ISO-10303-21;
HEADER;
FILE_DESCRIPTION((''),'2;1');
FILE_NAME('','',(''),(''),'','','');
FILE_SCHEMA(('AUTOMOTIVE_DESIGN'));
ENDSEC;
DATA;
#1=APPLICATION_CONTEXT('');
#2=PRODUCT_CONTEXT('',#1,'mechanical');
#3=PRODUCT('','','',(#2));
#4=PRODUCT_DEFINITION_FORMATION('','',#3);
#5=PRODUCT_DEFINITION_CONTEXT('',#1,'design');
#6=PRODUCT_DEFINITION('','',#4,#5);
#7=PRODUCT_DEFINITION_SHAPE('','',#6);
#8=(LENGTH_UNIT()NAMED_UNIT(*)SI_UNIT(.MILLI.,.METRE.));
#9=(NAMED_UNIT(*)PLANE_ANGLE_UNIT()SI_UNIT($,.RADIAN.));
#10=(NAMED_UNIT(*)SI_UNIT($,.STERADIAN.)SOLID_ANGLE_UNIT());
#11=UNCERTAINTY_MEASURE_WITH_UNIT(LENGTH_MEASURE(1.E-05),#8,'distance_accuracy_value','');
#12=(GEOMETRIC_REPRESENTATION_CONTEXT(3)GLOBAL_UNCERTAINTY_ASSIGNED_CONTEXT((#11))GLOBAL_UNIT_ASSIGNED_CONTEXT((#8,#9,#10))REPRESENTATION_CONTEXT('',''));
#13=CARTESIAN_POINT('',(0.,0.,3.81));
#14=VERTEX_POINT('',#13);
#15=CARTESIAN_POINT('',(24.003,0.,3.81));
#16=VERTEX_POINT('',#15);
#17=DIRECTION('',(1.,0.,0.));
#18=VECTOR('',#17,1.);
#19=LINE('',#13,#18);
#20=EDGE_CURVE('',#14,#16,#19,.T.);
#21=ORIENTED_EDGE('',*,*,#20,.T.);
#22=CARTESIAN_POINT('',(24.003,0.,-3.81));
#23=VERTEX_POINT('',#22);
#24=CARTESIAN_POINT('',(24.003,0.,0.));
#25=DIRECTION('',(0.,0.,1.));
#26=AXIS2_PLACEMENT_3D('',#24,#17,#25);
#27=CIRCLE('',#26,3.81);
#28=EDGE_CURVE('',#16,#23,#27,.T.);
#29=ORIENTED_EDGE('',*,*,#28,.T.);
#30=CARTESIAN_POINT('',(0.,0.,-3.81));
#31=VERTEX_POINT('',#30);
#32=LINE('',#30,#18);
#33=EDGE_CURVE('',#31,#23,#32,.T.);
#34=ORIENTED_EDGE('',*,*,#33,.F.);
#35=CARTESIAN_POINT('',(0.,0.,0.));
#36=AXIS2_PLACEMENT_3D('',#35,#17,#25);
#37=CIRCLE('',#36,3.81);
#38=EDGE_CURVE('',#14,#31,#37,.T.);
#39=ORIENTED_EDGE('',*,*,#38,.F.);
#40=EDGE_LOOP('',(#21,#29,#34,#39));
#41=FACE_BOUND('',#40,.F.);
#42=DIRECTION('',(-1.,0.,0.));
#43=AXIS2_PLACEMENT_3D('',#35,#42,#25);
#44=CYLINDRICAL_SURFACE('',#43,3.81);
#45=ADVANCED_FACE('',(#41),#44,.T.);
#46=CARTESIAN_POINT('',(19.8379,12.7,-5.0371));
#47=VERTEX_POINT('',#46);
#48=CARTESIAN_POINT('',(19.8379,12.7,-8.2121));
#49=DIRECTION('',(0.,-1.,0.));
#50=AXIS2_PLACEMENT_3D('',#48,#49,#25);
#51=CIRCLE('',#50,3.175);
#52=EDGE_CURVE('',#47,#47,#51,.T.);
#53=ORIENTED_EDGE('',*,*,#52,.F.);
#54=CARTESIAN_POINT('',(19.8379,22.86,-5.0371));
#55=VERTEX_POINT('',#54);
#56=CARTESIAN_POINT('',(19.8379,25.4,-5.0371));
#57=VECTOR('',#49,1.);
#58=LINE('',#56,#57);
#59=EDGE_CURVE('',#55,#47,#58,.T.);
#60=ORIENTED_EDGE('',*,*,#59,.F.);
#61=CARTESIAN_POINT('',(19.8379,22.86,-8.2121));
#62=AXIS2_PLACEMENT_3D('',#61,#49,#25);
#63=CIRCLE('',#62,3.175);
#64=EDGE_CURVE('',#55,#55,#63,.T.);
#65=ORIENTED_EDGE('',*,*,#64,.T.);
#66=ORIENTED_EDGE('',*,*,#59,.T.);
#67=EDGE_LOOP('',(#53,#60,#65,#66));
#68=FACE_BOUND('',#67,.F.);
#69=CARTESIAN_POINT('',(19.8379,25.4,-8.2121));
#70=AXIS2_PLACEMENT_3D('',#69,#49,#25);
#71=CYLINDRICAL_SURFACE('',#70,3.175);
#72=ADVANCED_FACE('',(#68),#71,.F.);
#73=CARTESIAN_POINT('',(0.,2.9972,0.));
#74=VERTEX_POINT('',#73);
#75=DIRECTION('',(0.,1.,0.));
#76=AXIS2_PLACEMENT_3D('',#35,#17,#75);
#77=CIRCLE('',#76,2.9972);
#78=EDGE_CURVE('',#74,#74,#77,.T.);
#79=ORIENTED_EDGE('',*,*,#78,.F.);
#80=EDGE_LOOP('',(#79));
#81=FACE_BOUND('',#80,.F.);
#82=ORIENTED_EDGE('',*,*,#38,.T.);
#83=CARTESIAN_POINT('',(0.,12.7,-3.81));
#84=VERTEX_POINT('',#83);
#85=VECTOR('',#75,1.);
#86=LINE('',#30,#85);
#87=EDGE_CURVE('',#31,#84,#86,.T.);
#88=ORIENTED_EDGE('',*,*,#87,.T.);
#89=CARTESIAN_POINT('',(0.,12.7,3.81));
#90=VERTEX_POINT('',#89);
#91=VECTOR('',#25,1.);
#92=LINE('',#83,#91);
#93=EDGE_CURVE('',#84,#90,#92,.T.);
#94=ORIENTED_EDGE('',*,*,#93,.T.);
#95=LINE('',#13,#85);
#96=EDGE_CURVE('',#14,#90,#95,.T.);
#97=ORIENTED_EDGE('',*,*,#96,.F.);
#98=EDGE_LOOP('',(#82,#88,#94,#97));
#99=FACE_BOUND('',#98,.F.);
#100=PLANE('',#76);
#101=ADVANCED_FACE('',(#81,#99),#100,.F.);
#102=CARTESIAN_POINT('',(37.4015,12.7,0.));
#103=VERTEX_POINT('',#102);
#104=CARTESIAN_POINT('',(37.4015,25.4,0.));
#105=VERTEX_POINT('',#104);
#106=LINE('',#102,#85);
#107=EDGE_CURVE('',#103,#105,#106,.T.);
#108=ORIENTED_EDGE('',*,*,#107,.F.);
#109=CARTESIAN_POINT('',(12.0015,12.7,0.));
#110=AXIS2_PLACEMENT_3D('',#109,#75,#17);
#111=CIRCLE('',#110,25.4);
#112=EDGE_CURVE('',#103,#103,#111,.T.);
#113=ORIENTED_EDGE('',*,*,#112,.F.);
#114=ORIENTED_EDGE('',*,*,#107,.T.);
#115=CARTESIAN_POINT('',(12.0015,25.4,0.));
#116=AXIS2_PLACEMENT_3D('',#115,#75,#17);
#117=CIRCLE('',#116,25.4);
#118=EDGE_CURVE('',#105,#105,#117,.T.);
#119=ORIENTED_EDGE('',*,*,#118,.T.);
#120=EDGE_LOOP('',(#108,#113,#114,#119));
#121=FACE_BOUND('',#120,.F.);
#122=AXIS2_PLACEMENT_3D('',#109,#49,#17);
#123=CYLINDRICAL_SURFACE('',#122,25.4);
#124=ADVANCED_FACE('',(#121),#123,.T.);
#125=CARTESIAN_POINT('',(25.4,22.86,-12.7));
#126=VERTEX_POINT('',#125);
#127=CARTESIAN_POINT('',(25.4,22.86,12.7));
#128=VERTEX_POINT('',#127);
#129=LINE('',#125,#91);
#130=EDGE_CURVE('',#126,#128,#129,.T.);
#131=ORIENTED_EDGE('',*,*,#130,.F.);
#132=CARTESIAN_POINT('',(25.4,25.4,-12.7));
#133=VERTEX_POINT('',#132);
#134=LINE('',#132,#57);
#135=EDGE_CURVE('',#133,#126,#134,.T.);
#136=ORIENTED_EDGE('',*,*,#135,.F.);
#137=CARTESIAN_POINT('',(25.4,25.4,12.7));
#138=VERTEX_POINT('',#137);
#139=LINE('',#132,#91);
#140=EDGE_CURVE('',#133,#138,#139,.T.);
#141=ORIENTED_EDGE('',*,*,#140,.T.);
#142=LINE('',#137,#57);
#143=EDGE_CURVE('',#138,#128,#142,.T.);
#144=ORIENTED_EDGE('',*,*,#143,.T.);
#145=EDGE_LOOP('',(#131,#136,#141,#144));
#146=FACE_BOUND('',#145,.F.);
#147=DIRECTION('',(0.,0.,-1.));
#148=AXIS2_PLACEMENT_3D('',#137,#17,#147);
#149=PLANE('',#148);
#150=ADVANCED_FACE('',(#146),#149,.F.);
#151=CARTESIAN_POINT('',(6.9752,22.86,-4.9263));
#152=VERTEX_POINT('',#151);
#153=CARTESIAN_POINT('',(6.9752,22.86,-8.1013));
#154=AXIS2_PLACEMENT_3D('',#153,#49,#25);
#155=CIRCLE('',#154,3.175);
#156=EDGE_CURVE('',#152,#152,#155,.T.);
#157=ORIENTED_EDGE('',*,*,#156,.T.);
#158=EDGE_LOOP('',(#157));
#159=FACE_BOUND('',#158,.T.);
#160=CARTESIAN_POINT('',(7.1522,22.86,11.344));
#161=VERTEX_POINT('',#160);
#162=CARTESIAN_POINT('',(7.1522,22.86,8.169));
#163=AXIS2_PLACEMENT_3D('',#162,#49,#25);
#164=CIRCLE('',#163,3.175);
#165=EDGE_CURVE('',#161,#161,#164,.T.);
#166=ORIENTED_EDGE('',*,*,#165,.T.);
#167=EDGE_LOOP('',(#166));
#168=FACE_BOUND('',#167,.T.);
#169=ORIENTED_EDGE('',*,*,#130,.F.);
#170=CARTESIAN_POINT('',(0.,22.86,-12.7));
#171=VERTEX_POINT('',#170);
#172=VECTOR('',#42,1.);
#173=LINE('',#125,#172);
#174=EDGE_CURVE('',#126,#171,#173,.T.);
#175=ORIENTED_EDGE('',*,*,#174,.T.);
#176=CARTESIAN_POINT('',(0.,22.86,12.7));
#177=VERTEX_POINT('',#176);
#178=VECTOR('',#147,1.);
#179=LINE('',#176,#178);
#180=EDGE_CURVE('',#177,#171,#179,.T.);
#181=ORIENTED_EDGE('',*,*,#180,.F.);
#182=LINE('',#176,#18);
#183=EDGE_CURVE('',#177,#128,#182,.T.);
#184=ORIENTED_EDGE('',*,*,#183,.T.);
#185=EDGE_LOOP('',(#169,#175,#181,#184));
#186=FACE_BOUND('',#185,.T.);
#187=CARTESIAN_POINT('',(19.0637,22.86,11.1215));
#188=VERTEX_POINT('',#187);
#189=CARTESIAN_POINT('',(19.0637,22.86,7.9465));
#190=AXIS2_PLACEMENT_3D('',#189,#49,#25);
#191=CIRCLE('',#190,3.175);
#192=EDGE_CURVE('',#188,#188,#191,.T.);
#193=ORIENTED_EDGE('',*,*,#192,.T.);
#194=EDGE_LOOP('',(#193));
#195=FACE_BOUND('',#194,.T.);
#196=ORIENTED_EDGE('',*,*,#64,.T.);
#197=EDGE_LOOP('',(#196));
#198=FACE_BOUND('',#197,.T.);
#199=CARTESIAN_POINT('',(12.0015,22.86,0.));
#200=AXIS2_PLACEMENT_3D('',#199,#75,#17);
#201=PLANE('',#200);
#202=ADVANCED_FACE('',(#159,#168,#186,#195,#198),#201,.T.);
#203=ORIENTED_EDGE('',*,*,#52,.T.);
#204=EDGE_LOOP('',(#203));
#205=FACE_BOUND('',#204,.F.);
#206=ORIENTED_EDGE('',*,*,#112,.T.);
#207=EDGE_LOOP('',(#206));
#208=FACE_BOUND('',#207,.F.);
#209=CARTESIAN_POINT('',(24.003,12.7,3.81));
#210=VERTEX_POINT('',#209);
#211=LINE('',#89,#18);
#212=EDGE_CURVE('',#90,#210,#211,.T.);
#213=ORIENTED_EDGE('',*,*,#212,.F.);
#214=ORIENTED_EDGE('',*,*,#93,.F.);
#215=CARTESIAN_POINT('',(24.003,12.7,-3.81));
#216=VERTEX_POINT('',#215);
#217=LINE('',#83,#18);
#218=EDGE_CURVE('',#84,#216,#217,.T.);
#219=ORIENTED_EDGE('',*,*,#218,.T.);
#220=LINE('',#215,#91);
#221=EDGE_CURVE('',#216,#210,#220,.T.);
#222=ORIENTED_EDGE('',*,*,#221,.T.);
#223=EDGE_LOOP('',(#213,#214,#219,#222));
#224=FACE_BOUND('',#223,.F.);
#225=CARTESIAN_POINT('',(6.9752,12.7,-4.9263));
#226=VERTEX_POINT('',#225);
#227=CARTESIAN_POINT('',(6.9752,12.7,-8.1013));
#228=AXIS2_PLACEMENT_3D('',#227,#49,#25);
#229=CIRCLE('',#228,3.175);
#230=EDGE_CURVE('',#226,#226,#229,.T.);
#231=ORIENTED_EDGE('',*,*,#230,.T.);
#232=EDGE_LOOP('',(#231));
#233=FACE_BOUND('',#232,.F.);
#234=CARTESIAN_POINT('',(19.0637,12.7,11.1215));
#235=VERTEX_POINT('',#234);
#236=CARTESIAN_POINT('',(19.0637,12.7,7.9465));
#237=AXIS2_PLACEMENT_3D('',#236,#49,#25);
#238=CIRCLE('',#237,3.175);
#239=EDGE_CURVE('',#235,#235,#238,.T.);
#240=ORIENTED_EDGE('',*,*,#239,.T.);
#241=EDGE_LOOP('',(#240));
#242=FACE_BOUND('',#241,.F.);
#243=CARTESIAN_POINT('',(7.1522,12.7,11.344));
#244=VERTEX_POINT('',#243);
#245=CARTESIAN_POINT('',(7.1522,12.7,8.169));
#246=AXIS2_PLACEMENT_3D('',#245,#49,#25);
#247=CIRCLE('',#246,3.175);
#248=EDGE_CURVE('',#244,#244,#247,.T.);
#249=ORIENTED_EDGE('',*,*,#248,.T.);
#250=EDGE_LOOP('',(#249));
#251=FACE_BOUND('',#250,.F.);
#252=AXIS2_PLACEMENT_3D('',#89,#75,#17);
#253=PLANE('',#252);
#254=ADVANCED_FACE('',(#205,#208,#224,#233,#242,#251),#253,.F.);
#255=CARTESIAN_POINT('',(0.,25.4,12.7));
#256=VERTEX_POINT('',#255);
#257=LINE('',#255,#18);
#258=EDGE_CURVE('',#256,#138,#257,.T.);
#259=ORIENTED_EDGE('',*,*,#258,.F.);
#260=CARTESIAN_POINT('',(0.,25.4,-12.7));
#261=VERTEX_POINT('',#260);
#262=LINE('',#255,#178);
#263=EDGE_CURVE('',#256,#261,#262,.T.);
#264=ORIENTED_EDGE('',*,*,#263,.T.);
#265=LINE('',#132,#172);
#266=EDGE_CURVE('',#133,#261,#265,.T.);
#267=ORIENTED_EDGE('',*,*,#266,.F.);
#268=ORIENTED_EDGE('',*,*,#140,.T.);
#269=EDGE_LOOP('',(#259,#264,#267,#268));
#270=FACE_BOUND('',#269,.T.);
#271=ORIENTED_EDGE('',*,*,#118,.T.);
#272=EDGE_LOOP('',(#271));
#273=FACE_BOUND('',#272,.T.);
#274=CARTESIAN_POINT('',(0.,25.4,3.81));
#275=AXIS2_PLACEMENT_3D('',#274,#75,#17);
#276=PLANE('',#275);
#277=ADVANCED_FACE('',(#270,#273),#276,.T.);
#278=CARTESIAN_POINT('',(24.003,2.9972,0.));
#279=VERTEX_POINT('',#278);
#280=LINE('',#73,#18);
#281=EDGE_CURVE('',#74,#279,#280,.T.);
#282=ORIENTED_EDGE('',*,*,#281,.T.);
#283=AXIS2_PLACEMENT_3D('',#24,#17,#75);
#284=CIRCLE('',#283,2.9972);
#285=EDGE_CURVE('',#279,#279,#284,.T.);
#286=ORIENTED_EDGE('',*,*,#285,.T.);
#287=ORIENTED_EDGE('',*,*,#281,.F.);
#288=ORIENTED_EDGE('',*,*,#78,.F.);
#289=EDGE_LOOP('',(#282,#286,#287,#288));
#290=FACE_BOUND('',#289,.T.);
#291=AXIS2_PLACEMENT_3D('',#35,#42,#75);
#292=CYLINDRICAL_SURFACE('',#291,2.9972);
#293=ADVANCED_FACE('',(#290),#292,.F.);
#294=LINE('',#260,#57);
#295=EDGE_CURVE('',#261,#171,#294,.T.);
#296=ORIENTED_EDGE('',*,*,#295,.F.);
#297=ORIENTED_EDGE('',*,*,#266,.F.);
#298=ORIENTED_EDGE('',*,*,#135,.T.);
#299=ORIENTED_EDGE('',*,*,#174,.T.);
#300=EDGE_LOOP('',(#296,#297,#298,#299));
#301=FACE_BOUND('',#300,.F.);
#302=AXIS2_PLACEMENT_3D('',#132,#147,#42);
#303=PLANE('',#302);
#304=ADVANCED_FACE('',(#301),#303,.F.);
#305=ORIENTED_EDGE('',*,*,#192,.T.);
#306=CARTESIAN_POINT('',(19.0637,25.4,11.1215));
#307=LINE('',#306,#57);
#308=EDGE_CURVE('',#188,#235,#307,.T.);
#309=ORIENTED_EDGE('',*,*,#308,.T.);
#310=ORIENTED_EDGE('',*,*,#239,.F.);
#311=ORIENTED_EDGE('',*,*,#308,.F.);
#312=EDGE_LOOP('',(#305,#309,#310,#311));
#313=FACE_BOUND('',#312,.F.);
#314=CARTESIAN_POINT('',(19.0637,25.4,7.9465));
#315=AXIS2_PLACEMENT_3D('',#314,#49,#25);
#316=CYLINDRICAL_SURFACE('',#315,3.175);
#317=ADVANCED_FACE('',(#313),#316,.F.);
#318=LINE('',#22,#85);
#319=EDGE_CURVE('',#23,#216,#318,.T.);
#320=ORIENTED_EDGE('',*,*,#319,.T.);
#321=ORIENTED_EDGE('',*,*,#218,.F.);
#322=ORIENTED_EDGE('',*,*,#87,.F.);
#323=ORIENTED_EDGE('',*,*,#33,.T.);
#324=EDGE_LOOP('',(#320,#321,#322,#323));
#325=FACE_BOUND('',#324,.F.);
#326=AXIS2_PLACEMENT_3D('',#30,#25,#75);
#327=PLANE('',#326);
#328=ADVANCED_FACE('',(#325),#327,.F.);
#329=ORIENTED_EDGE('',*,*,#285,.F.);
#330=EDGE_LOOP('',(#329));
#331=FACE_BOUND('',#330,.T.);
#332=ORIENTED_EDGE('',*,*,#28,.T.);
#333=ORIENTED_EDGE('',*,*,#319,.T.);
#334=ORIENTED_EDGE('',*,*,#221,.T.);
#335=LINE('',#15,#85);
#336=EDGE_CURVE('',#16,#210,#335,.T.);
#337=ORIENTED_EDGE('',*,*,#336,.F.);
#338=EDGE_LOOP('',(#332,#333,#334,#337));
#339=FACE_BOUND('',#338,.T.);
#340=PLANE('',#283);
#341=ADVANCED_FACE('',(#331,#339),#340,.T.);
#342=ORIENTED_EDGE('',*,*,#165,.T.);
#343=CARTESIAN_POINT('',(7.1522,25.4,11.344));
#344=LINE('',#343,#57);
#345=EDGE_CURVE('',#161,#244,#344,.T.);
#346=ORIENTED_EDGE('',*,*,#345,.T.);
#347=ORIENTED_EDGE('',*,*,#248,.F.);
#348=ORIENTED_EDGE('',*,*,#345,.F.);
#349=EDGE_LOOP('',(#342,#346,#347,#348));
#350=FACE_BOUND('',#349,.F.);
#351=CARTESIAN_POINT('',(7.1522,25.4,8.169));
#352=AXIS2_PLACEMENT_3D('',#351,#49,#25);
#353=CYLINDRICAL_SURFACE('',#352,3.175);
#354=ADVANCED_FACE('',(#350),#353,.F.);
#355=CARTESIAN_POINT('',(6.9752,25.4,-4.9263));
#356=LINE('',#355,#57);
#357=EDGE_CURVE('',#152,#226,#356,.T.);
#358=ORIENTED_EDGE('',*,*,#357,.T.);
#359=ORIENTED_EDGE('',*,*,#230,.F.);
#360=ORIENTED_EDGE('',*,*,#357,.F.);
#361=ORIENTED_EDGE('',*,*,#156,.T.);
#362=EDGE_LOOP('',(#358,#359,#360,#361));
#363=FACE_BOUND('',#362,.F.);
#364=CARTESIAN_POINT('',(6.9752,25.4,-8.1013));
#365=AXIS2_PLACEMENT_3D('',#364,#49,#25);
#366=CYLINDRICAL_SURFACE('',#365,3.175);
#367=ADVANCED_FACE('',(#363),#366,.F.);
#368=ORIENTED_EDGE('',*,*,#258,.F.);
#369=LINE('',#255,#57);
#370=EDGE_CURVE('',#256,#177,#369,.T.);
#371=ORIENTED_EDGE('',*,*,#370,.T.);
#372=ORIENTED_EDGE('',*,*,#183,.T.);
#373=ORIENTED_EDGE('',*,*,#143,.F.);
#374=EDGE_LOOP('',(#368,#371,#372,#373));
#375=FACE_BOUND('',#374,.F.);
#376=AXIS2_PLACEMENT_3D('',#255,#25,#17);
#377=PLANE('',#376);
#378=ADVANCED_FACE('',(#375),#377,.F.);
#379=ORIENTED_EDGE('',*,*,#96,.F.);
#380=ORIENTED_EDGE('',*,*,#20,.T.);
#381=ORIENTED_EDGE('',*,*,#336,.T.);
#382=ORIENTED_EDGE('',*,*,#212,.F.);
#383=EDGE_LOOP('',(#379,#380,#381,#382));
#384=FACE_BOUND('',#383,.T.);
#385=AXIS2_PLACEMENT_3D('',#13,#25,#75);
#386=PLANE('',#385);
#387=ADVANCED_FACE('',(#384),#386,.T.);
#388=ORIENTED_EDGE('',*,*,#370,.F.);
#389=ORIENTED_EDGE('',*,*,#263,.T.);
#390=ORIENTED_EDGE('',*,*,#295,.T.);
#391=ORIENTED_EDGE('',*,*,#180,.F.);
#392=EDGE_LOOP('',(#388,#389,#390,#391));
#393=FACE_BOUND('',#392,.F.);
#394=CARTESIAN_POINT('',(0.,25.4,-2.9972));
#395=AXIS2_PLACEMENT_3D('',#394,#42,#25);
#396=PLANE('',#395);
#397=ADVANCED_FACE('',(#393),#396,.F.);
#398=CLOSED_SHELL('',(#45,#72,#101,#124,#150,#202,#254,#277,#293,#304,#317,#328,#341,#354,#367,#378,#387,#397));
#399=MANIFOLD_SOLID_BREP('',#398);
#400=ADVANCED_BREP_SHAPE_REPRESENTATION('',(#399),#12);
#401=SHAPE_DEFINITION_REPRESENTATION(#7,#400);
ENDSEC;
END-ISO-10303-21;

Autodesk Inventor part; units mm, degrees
ref_plane "YZ Plane" through (0, 0, 0) normal (1, 0, 0) x (0, 1, 0)
ref_plane "XZ Plane" through (0, 0, 0) normal (0, 1, 0) x (-1, 0, 0)
ref_plane "XY Plane" through (0, 0, 0) normal (0, 0, 1) x (1, 0, 0)
sketch "Sketch1" plane through (0, 0, 0) normal (1, 0, 0) x (0, 1, 0)
  circle A0 centre (0, 0) radius 2.9972
  arc A1 (0, 3.81) -> (0, -3.81) centre (0, 0) ccw
  line L0 (0, 3.81) -> (12.7, 3.81)
  line L1 (0, -3.81) -> (12.7, -3.81)
  line L2 (12.7, -3.81) -> (12.7, 3.81)
  dimension "d0" = 5.9944
  dimension "d4" = 7.62
  dimension "d5" = 12.7
  dimension "d6" = 12.7
extrude "Extrusion1" add sketch "Sketch1" along normal blind 24.003
sketch "Sketch2" plane through (0, 12.7, 3.81) normal (0, 1, 0) x (1, 0, 0)
  line L0 (0, 7.62) -> (24.003, 7.62) projected
  circle A0 centre (12.0015, 3.81) radius 25.4
  point P0 (0, 3.81)
  dimension "d9" = 50.8
extrude "Extrusion2" add sketch "Sketch2" along normal blind 12.7
sketch "Sketch3" plane through (12.0015, 25.4, 0) normal (0, 1, 0) x (1, 0, 0)
  line L0 (-12.0015, 2.9972) -> (-12.0015, -2.9972) projected
  line L1 (-12.0015, -12.7) -> (-12.0015, 12.7)
  line L2 (-12.0015, -12.7) -> (13.3985, -12.7)
  line L3 (13.3985, -12.7) -> (13.3985, 12.7)
  line L4 (13.3985, 12.7) -> (-12.0015, 12.7)
  line L5 (-12.0015, 12.7) -> (-12.0015, -12.7)
  circle A0 centre (-5.6515, -8.128) radius 1.905
  line L6 (13.3985, -12.7) -> (13.3985, -8.128)
  line L7 (13.3985, -12.7) -> (13.3985, -8.128)
  line L8 (13.3985, -12.7) -> (13.3985, -8.128)
  circle A1 centre (7.0485, -8.128) radius 1.905
  circle A2 centre (-5.6515, 8.128) radius 1.905
  circle A3 centre (7.0485, 8.128) radius 1.905
  circle A4 centre (-5.6515, -8.128) radius 1.905
  circle A5 centre (7.0485, -8.128) radius 1.905
  point P0 (-12.0015, 0)
  dimension "d13" = 25.4
  dimension "d14" = 25.4
  dimension "d17" = 3.81
  dimension "d20" = 3.81
  dimension "d23" = 3.81
  dimension "d24" = 3.81
  dimension "d25" = 3.81
  dimension "d26" = 3.81
extrude "Extrusion3" cut sketch "Sketch3" against normal blind 2.54
sketch "Sketch4" plane through (6.35, 25.4, 8.128) normal (0, 1, 0) x (1, 0, 0)
  point P0 (-6.35, 8.128)
  point P1 (0.8022, -0.041)
hole "Hole1" at (7.1522, 25.4, 8.169) direction (0, -1, 0) diameter 6.35 end through all
sketch "Sketch5" plane through (6.35, 25.4, -8.128) normal (0, 1, 0) x (1, 0, 0)
  point P0 (-6.35, -8.128)
  point P1 (0.6252, -0.0267)
  point P2 (13.4879, 0.0841)
  point P3 (12.7137, -16.0745)
hole "Hole2" at (6.9752, 25.4, -8.1013) at (19.8379, 25.4, -8.2121) at (19.0637, 25.4, 7.9465) direction (0, -1, 0) diameter 6.35 end through all
properties part number "shaft_mount_wrist"
